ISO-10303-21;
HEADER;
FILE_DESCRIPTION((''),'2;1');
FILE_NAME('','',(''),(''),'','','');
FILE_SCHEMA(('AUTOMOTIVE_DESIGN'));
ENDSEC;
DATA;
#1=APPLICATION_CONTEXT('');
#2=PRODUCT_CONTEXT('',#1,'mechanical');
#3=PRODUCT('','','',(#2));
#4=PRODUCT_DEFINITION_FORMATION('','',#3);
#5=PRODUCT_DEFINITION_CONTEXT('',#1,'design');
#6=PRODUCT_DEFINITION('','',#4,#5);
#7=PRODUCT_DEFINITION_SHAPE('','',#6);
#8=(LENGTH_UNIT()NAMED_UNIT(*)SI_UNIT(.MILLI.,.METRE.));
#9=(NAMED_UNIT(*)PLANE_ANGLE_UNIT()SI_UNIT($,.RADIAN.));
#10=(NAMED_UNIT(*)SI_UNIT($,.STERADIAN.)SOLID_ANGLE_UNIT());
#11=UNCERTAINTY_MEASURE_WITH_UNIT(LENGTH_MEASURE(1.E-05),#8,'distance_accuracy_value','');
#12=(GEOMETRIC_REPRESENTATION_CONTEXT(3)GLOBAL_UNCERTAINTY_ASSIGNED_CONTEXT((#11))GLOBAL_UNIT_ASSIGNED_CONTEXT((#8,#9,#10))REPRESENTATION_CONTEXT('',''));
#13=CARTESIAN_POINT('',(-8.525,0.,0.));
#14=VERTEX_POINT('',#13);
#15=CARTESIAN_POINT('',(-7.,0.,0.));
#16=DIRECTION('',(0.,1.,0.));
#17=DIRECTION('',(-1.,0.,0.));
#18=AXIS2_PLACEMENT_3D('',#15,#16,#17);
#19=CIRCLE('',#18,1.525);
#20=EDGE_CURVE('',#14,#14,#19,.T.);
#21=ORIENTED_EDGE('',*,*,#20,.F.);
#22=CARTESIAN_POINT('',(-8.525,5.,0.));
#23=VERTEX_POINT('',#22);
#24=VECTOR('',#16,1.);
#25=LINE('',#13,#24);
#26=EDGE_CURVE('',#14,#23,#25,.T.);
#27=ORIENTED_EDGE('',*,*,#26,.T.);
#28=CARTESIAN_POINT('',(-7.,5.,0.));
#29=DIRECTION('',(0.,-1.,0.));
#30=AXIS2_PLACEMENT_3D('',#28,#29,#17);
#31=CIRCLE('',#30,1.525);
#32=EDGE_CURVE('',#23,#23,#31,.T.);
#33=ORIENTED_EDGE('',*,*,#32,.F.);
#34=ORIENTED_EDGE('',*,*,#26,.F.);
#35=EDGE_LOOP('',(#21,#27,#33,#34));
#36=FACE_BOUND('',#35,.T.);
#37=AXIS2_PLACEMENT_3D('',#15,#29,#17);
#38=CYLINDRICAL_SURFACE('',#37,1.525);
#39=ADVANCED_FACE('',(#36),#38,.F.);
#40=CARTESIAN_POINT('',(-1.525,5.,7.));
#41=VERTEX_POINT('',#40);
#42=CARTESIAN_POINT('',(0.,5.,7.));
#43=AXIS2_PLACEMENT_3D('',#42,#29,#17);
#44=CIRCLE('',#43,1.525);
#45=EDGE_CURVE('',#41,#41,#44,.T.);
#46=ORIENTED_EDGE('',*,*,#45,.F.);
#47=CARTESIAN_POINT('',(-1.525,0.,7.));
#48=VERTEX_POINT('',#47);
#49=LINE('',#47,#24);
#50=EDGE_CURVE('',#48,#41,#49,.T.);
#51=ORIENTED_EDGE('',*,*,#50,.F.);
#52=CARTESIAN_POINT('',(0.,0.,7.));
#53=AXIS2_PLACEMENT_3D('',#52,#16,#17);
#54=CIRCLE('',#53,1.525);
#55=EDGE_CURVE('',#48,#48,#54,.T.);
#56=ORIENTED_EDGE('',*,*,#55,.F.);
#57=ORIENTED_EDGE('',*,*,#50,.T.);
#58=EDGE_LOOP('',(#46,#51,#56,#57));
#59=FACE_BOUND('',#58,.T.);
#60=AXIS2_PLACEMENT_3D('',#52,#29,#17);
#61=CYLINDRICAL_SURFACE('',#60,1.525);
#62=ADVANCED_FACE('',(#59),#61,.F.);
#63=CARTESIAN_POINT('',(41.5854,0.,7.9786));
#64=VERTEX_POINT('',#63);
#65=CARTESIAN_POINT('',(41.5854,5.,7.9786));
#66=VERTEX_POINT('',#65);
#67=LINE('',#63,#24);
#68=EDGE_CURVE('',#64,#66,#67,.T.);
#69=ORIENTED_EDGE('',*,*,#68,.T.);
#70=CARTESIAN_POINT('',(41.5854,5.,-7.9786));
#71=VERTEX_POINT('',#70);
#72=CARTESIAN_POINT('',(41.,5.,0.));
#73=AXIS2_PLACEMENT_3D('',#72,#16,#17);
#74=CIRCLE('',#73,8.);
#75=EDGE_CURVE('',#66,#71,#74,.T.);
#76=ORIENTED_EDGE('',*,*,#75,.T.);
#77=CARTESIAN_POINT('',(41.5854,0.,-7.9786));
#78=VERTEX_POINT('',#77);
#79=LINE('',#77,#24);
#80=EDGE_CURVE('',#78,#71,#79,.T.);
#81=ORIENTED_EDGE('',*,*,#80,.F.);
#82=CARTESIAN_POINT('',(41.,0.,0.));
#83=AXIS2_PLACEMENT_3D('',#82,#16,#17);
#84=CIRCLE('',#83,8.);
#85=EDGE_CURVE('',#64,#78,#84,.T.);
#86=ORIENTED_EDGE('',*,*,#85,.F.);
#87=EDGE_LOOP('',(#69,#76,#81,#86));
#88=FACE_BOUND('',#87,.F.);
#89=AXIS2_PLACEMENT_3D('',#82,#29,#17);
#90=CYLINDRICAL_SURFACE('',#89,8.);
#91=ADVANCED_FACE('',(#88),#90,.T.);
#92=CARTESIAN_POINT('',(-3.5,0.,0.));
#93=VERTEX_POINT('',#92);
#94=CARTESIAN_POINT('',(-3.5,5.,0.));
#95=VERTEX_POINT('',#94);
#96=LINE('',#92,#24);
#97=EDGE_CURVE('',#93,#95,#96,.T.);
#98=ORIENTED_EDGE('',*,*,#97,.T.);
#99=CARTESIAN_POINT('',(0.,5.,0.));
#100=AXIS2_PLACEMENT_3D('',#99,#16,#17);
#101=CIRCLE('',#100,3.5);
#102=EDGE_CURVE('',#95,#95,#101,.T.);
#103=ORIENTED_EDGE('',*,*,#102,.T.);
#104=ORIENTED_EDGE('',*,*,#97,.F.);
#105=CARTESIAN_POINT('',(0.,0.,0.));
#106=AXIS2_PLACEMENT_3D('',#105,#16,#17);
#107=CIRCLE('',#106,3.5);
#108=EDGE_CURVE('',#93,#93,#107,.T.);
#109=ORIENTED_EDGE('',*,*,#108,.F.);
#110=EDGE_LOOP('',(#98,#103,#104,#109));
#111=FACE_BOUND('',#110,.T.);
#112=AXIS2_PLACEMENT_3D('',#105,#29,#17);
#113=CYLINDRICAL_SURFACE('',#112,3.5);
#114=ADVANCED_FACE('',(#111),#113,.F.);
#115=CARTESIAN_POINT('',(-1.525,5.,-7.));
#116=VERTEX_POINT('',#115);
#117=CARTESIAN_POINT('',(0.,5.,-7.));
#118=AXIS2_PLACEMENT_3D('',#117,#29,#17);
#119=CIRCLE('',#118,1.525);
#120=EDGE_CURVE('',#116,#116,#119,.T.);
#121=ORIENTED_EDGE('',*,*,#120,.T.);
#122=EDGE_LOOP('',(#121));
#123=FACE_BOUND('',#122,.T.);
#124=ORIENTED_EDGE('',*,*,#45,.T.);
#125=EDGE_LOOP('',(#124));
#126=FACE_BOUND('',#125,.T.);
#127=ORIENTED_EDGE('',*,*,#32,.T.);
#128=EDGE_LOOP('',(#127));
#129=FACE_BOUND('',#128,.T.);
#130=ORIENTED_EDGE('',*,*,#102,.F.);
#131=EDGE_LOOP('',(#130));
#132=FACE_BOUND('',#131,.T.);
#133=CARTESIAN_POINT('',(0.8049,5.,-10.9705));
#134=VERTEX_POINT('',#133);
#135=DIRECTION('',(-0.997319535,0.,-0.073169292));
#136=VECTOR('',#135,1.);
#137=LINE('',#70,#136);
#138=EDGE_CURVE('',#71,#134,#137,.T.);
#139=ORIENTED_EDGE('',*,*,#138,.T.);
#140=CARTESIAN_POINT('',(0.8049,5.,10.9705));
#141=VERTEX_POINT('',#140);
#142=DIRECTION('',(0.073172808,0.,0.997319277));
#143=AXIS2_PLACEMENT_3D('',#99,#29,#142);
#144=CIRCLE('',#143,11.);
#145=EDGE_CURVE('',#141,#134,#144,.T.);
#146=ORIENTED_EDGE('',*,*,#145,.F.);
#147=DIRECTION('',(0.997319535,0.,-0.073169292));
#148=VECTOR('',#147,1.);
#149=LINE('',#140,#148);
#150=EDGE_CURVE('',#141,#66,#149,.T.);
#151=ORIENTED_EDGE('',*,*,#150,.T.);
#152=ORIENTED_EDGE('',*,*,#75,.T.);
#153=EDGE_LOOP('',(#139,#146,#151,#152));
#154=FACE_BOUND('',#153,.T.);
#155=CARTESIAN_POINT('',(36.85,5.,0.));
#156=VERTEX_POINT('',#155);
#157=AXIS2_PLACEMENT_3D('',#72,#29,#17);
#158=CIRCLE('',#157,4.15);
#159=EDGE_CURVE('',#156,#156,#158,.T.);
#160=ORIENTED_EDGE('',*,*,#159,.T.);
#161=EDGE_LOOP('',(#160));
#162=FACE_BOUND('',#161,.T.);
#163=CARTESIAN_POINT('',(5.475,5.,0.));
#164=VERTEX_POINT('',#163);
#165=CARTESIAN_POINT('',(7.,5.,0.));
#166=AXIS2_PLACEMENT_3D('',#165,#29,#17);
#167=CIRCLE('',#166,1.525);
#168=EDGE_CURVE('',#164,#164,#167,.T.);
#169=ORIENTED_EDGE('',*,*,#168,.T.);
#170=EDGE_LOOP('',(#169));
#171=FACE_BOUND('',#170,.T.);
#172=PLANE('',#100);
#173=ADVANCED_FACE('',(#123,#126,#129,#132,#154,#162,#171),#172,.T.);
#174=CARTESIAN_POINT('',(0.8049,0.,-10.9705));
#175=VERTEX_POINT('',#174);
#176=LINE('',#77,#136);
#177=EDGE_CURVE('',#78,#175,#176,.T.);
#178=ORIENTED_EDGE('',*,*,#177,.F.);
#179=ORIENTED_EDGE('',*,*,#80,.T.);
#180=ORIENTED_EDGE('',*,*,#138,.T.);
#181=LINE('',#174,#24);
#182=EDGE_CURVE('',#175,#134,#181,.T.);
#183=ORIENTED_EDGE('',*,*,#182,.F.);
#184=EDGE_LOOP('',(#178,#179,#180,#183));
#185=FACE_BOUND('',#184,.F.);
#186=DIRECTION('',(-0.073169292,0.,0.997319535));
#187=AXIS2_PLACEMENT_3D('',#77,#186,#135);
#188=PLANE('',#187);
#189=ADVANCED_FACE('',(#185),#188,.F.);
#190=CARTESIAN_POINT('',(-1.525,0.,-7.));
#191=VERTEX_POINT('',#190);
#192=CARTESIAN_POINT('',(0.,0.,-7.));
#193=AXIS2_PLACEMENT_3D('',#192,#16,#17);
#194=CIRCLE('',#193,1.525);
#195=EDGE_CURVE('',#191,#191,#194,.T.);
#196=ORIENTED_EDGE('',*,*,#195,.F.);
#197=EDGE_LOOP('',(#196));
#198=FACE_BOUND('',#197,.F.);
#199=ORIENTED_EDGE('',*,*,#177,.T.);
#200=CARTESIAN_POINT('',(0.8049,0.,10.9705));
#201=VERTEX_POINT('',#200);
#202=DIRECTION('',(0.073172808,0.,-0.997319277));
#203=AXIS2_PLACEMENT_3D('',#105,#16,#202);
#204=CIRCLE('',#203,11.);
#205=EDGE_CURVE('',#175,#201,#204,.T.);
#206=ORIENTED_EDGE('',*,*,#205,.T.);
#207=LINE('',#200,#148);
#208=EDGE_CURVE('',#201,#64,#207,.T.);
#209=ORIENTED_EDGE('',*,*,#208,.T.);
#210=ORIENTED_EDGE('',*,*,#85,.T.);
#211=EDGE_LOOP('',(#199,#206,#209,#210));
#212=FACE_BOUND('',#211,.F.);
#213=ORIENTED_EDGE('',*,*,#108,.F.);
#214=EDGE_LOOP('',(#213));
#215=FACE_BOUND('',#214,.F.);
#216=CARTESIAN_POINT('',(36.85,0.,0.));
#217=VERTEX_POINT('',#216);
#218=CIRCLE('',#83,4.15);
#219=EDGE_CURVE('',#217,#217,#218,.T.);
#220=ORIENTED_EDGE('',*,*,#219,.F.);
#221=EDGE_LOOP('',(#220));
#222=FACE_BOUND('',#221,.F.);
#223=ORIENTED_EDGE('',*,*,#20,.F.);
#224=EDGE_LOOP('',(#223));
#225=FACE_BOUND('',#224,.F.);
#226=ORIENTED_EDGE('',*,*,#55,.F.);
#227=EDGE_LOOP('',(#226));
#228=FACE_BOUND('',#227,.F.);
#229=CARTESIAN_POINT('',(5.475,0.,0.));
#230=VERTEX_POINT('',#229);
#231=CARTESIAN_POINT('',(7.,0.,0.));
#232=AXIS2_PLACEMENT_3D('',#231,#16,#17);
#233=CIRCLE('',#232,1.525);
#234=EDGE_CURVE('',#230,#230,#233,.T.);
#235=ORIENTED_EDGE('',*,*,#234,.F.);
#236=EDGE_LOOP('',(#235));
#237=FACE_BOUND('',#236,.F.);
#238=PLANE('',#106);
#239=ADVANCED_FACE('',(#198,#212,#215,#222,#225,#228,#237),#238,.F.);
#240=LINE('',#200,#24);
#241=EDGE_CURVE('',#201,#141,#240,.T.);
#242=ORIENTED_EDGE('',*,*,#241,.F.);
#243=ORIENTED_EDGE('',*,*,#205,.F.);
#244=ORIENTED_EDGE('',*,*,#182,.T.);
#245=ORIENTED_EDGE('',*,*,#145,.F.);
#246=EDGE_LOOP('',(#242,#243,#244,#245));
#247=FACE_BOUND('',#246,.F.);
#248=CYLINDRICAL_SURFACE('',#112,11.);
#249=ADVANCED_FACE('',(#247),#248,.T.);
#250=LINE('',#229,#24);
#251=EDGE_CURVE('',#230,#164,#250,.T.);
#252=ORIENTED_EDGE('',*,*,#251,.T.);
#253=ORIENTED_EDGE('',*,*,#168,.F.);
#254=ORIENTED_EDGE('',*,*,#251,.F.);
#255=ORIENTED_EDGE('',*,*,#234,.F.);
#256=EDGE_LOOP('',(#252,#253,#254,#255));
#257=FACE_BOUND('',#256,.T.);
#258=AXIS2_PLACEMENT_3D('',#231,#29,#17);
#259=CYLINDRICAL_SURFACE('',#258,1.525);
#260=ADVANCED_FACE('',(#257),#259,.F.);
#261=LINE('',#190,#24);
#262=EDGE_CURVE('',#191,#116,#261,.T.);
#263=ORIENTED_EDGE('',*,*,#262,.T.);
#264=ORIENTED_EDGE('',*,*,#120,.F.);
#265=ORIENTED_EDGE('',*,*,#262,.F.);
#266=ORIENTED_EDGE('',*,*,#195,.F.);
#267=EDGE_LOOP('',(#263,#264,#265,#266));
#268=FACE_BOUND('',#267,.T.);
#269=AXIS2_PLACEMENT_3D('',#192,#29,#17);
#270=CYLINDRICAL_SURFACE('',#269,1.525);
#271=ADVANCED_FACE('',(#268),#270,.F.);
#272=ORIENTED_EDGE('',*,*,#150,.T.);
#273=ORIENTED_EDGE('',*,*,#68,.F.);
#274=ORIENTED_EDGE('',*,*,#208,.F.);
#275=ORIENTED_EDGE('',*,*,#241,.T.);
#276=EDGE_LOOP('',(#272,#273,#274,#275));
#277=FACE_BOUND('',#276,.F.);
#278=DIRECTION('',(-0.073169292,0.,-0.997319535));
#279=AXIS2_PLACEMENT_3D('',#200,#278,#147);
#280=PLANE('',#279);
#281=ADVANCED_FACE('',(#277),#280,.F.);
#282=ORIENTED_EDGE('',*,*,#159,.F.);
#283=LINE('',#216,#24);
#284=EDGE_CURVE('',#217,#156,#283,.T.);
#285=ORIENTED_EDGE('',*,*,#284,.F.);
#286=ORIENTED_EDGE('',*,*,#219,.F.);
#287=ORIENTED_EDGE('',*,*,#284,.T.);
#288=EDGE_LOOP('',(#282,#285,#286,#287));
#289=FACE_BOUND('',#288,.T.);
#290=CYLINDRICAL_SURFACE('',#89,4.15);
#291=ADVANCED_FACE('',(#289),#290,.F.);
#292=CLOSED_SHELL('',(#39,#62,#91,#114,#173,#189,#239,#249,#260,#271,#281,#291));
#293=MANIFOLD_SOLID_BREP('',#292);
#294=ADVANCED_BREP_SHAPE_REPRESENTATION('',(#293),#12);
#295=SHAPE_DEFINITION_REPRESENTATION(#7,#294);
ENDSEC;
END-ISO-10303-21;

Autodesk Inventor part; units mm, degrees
ref_plane "YZ Plane" through (0, 0, 0) normal (1, 0, 0) x (0, 1, 0)
ref_plane "XZ Plane" through (0, 0, 0) normal (0, 1, 0) x (-1, 0, 0)
ref_plane "XY Plane" through (0, 0, 0) normal (0, 0, 1) x (1, 0, 0)
sketch "草图1" plane through (0, 0, 0) normal (0, 1, 0) x (-1, 0, 0)
  circle A0 centre (0, 0) radius 11
  circle A1 centre (0, 0) radius 3.5
  circle A2 centre (0, 0) radius 7
  circle A3 centre (7, 0) radius 1.525
  circle A4 centre (0, 7) radius 1.525
  circle A5 centre (-7, 0) radius 1.525
  circle A6 centre (0, -7) radius 1.525
  line L0 (0, 0) -> (2.6058, 0)
  line L1 (0, 0) -> (0, -1.55)
  line L2 (-0.8049, 10.9705) -> (-41.5854, 7.9786)
  line L3 (-41.5854, 7.9786) -> (-41.5854, -7.9786)
  line L4 (-41.5854, -7.9786) -> (-0.8049, -10.9705)
  circle A7 centre (-41, 0) radius 8
  circle A8 centre (-41, 0) radius 4.15
  point P0 (-41.5854, -7.9786)
  dimension "d7" = 16
  dimension "d0" = 22
  dimension "d1" = 7
  dimension "d2" = 14
  dimension "d3" = 3.05
  dimension "d4" = 3.05
  dimension "d5" = 3.05
  dimension "d6" = 3.05
  dimension "d8" = 41
  dimension "d9" = 8.3
extrude "拉伸1" add sketch "草图1" along normal blind 5 contours A0 | A0 L4 A7 L2 | A7 L3 A8 | L3 A8 A7 | A3 A2 A6 A5 A4
properties part number "leg4"
